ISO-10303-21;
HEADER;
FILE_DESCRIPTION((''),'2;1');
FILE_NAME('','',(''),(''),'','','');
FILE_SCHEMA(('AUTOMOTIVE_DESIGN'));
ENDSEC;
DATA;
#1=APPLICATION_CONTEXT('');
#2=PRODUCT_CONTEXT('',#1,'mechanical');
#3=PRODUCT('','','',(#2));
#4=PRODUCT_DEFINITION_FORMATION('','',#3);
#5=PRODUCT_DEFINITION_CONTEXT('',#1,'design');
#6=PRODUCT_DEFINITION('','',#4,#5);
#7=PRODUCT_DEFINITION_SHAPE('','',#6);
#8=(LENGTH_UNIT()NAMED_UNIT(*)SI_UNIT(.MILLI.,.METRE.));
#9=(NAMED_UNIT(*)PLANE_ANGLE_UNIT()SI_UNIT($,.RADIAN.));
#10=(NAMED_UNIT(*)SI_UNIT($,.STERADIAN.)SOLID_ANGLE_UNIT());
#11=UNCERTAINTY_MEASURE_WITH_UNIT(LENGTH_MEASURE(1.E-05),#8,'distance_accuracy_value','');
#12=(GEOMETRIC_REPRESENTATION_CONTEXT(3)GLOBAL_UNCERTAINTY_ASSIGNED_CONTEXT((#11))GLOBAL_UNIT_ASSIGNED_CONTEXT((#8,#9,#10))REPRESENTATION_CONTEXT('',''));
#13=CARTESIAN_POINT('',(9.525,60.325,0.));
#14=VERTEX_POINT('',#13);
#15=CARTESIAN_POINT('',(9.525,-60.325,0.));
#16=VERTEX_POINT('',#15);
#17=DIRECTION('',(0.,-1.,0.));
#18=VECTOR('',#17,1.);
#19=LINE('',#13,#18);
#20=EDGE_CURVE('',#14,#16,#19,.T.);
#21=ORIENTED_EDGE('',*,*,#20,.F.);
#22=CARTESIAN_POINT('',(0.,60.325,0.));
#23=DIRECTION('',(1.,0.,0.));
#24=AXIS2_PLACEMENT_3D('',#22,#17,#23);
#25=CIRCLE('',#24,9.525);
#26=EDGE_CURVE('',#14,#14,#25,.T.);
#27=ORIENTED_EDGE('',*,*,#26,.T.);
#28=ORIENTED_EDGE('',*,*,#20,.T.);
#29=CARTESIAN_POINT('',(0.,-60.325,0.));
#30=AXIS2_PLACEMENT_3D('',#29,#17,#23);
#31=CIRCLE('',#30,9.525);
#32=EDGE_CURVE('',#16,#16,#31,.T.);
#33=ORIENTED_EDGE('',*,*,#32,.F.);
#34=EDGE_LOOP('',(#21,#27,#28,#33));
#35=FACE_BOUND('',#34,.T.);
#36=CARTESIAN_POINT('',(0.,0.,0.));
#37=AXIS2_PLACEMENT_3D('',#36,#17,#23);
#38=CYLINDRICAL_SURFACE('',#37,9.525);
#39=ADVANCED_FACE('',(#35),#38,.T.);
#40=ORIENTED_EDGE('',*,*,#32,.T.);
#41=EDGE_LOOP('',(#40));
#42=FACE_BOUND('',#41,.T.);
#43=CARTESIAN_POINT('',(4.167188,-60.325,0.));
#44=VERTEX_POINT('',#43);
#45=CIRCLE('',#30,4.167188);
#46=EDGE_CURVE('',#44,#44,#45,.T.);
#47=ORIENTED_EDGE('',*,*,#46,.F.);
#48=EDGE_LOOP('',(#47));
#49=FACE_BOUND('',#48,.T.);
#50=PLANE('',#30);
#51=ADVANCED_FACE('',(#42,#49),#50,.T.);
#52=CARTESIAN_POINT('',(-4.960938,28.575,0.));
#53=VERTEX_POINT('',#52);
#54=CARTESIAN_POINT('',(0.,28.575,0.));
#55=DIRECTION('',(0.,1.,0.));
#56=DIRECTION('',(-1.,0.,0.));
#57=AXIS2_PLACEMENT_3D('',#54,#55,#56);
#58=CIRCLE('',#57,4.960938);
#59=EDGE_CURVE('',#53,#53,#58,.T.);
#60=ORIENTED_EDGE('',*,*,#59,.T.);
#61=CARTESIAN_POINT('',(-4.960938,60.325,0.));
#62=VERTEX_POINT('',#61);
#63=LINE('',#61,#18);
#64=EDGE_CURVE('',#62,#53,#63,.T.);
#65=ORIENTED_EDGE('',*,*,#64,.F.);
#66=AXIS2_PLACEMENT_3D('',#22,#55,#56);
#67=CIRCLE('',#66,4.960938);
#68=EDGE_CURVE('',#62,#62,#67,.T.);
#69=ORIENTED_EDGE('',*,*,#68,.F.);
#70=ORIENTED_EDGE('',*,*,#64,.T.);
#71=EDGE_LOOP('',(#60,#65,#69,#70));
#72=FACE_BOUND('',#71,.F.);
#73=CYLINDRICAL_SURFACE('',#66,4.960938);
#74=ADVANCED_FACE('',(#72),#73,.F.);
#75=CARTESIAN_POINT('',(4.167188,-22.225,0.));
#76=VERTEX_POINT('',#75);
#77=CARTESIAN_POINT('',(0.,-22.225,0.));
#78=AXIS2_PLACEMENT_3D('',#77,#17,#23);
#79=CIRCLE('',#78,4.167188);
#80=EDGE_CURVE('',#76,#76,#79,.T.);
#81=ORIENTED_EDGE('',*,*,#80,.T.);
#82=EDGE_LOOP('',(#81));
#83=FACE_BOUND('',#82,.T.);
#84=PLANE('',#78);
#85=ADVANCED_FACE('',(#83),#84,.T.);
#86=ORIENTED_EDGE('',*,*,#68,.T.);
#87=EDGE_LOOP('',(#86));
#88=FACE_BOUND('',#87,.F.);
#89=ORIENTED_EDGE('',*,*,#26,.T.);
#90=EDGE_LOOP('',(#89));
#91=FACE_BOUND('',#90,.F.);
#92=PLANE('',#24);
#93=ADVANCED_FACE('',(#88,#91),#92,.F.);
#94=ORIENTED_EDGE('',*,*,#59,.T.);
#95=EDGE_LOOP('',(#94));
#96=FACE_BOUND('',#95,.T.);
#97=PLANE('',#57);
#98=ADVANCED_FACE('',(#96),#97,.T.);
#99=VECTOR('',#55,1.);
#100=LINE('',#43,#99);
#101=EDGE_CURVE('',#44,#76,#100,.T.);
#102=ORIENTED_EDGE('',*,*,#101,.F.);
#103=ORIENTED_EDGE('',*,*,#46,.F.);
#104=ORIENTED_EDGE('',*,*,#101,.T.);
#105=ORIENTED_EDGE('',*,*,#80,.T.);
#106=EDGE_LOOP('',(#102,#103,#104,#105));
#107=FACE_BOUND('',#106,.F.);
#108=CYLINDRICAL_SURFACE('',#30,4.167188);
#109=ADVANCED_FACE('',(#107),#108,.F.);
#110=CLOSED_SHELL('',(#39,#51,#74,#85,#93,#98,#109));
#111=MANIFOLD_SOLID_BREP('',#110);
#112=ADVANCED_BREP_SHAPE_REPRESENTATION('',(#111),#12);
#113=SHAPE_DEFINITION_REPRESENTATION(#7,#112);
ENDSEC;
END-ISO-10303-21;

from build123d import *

# Parameters (mm, degrees)
F0_R     = 9.525
F1_DEPTH = 60.325
F2_R     = 4.167188
F3_DEPTH = 38.1
F4_R     = 4.960938
F5_DEPTH = 31.75


with BuildPart() as f1:
    # F0 (on Front) → F1 (new body, symmetric)
    with BuildSketch(Plane.XZ):
        Circle(F0_R)
    extrude(amount=F1_DEPTH, both=True)

    # F2 (on face) → F3 (cut)
    with BuildSketch(Plane.XZ.offset(60.325)):
        Circle(F2_R)
    extrude(amount=-F3_DEPTH, mode=Mode.SUBTRACT)

    # F4 (on face) → F5 (cut)
    with BuildSketch(Plane(origin=(0, 60.325, 0), x_dir=(-1, 0, 0), z_dir=(0, 1, 0))):
        Circle(F4_R)
    extrude(amount=-F5_DEPTH, mode=Mode.SUBTRACT)


solid = f1.part
